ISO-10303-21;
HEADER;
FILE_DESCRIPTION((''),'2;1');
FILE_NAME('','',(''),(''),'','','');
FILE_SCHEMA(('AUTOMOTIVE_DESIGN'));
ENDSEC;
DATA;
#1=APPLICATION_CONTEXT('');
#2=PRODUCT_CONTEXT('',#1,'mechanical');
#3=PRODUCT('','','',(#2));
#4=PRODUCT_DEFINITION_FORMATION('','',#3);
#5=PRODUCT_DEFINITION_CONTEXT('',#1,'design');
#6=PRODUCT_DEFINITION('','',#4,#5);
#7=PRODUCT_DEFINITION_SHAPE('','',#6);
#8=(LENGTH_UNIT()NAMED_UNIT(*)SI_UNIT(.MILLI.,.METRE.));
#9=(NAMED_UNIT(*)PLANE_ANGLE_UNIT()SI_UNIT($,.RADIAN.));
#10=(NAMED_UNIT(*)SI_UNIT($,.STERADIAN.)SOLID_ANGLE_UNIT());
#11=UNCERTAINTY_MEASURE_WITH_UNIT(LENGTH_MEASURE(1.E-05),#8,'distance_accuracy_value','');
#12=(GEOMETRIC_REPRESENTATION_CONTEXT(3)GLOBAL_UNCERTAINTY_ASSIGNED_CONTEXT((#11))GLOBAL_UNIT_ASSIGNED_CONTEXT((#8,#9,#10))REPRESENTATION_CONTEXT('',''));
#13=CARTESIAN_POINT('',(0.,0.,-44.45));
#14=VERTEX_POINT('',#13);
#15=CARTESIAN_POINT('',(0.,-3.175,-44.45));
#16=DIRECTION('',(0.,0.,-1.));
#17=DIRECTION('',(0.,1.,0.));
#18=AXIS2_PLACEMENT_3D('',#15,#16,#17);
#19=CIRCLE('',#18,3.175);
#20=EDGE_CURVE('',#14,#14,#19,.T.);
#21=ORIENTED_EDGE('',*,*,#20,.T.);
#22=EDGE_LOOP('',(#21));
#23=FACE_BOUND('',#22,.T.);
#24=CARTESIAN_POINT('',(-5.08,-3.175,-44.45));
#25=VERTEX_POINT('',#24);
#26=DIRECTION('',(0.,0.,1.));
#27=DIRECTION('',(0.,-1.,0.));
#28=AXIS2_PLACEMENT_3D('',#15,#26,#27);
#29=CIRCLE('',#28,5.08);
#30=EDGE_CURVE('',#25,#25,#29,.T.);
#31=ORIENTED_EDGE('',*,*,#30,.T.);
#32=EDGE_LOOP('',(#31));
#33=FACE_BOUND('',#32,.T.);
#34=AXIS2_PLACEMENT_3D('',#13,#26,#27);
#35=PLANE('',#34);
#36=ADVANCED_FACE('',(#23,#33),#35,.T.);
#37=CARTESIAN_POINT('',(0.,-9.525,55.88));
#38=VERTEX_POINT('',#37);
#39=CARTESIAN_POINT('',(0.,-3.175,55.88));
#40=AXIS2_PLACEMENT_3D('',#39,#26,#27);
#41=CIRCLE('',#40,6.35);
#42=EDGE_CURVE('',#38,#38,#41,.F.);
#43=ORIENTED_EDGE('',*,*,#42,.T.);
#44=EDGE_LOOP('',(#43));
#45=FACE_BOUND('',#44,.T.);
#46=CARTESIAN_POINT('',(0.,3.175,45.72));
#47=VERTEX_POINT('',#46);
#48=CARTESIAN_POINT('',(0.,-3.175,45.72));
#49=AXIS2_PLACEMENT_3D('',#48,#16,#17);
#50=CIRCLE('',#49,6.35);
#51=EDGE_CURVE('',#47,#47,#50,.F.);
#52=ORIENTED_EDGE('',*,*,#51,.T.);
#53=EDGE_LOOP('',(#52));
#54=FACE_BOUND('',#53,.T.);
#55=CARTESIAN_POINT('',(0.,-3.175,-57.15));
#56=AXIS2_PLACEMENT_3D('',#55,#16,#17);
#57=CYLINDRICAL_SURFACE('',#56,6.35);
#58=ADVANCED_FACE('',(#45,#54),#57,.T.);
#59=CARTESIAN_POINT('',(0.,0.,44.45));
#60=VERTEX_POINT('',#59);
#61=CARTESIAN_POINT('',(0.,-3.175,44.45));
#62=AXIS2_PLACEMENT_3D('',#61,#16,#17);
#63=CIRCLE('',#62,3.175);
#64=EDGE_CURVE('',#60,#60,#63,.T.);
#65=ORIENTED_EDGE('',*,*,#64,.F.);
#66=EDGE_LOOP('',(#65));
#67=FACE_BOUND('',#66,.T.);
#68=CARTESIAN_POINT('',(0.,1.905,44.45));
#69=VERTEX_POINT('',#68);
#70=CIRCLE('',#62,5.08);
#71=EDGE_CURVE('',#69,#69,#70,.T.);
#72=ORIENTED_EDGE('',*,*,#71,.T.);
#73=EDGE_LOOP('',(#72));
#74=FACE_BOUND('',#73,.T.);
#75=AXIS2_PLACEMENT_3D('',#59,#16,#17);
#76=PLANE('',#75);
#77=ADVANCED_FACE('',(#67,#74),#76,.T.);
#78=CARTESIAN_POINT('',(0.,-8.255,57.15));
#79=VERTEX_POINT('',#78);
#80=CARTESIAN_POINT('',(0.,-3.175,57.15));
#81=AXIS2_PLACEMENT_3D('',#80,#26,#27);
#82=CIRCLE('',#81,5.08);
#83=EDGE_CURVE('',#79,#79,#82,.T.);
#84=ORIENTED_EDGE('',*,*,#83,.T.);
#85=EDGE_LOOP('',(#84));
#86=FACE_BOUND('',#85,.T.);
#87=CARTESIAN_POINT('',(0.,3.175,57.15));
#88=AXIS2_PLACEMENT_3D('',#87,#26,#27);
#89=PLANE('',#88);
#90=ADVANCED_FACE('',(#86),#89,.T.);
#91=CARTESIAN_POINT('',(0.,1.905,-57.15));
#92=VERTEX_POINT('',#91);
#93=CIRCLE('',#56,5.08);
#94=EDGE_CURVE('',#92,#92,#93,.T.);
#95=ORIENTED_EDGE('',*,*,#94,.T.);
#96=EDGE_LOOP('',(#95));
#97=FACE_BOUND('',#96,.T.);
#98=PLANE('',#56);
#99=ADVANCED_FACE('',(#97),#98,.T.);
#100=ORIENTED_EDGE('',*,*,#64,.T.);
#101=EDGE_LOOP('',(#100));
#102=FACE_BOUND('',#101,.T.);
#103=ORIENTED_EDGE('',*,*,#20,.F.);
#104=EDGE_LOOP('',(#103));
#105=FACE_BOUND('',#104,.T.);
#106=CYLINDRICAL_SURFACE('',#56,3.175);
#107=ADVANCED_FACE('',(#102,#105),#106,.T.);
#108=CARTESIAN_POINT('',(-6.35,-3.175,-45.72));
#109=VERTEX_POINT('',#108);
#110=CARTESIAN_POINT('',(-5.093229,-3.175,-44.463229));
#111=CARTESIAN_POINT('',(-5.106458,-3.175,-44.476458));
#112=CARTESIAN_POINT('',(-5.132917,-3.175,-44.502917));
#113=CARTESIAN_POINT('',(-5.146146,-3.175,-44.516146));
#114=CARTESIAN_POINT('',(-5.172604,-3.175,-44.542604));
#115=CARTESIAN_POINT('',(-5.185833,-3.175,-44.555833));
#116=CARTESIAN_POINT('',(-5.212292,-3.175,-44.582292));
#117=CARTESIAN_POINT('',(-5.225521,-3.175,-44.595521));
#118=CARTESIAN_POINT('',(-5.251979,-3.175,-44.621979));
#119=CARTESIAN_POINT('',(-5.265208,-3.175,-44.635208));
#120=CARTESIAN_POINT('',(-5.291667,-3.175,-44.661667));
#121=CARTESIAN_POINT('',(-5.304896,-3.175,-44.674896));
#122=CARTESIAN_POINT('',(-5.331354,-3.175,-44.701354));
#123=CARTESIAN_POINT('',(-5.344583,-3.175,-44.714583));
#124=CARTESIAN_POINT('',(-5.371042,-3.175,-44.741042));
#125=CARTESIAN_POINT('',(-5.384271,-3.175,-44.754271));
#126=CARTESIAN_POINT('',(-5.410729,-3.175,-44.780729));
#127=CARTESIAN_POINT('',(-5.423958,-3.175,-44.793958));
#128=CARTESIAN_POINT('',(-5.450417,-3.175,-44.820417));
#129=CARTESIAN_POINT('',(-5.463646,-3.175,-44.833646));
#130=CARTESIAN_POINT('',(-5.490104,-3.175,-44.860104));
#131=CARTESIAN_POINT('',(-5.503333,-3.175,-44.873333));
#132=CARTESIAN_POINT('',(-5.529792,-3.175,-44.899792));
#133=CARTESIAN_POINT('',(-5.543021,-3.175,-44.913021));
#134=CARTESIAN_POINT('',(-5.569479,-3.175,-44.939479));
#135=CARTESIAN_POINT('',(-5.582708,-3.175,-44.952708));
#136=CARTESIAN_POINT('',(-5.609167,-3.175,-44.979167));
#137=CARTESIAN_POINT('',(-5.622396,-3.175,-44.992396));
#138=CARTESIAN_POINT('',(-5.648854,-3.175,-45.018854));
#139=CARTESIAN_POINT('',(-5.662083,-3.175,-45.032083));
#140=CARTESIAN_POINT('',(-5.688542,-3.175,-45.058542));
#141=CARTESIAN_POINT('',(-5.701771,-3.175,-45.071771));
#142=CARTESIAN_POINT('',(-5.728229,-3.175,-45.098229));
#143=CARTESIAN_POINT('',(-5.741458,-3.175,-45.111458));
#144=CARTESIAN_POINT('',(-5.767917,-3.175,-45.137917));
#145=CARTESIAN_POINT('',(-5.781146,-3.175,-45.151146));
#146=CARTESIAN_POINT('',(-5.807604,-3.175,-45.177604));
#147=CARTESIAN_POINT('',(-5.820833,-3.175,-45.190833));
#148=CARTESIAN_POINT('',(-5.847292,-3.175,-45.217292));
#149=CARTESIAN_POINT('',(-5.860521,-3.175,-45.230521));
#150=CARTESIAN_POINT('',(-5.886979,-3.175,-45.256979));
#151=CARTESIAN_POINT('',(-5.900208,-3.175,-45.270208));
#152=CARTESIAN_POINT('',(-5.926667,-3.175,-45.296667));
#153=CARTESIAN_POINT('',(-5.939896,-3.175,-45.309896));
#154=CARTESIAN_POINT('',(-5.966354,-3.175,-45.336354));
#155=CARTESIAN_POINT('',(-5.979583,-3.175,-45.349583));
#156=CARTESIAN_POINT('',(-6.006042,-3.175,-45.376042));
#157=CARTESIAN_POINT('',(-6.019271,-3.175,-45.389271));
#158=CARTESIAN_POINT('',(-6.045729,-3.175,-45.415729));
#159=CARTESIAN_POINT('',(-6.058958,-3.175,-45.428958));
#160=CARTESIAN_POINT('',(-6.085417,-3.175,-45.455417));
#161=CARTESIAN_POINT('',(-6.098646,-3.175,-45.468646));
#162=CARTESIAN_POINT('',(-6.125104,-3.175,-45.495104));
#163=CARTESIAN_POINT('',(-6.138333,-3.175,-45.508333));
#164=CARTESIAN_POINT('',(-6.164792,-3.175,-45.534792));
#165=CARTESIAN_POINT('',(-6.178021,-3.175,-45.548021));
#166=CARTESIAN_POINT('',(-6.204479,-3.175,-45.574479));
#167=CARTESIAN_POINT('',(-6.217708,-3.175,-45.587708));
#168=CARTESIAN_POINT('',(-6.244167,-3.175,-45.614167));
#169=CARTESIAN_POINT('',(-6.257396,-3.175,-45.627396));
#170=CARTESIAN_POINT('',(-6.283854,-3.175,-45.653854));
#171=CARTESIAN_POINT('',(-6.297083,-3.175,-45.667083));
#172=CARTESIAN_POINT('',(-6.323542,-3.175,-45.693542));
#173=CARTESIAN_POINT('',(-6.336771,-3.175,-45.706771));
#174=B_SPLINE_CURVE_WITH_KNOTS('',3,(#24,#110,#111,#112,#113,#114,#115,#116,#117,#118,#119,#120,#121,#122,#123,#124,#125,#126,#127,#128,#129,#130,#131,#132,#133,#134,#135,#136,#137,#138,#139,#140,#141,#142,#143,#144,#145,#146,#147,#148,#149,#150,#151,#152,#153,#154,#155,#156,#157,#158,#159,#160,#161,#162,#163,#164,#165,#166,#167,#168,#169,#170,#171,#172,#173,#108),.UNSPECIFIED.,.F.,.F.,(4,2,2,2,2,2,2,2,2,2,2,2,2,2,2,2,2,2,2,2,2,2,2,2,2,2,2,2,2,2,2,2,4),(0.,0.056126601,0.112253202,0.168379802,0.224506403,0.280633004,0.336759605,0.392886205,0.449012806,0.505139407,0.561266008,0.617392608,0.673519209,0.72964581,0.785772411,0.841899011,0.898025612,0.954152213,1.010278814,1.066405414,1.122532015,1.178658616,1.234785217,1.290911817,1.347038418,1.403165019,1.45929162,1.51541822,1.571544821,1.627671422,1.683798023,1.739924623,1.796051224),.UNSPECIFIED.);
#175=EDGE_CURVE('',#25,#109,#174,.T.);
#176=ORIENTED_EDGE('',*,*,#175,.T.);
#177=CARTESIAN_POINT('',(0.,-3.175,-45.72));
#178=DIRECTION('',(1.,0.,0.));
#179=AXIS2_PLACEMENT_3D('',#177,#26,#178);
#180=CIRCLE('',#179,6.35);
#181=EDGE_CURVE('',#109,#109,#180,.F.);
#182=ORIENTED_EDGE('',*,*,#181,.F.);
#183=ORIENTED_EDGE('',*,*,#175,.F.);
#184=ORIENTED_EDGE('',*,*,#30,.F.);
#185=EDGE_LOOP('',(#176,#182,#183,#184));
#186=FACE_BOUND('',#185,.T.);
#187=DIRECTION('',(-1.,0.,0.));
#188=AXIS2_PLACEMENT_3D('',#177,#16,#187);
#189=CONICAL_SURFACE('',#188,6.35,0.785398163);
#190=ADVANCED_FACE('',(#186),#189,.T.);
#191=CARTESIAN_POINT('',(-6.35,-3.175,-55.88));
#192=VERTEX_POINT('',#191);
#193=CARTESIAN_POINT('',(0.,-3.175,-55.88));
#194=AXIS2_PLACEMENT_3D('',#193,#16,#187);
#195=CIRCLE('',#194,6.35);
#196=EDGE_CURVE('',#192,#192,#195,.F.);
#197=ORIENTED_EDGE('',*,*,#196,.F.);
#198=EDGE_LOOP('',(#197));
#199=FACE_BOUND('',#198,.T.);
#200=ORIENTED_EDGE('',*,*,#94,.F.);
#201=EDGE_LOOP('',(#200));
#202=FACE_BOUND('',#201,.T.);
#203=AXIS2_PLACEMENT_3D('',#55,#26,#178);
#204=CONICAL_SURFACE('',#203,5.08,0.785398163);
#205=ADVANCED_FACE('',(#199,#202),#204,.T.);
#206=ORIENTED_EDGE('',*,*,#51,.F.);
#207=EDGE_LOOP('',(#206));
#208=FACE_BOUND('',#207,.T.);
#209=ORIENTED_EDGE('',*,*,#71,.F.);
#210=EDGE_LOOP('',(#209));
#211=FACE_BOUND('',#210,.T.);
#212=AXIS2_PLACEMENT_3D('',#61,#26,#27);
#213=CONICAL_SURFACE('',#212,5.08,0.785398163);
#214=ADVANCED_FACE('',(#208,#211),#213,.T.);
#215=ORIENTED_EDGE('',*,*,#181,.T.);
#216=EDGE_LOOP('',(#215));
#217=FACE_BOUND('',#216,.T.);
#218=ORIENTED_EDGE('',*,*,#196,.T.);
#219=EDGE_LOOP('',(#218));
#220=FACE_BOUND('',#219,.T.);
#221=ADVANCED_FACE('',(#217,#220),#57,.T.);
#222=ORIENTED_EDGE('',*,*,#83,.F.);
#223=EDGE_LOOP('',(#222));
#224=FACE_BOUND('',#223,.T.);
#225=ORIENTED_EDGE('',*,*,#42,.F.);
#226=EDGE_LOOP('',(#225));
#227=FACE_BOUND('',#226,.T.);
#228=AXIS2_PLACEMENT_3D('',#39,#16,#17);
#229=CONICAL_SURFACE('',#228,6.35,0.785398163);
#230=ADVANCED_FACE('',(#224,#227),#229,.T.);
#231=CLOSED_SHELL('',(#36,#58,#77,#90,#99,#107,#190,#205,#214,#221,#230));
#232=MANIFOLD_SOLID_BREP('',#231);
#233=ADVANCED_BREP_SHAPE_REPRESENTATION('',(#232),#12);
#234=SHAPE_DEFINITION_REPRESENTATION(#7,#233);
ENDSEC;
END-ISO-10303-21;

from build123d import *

# Parameters (mm, degrees)
CHAMFER1_SIZE = 1.27


with BuildPart() as part:
    # Sketch1 → Revolve1 (revolve)
    with BuildSketch(Plane(origin=(0, 0, 0), x_dir=(0, 0, -1), z_dir=(1, 0, 0))):
        Polygon((-44.45, 0), (44.45, 0), (44.45, 3.175), (57.15, 3.175), (57.15, -3.175), (-57.15, -3.175), (-57.15, 3.175), (-44.45, 3.175), align=None)
    revolve(axis=Axis((0, -3.175, -57.15), (0, 0, 1)))

    # Chamfer1
    chamfer1_edges = [part.edges().sort_by_distance(p)[0] for p in [
        (0, -9.525, 44.45),
        (0, -9.525, 57.15),
        (0, -9.525, -57.15),
        (0, -9.525, -44.45),
    ]]
    chamfer(chamfer1_edges, length=CHAMFER1_SIZE)


solid = part.part
